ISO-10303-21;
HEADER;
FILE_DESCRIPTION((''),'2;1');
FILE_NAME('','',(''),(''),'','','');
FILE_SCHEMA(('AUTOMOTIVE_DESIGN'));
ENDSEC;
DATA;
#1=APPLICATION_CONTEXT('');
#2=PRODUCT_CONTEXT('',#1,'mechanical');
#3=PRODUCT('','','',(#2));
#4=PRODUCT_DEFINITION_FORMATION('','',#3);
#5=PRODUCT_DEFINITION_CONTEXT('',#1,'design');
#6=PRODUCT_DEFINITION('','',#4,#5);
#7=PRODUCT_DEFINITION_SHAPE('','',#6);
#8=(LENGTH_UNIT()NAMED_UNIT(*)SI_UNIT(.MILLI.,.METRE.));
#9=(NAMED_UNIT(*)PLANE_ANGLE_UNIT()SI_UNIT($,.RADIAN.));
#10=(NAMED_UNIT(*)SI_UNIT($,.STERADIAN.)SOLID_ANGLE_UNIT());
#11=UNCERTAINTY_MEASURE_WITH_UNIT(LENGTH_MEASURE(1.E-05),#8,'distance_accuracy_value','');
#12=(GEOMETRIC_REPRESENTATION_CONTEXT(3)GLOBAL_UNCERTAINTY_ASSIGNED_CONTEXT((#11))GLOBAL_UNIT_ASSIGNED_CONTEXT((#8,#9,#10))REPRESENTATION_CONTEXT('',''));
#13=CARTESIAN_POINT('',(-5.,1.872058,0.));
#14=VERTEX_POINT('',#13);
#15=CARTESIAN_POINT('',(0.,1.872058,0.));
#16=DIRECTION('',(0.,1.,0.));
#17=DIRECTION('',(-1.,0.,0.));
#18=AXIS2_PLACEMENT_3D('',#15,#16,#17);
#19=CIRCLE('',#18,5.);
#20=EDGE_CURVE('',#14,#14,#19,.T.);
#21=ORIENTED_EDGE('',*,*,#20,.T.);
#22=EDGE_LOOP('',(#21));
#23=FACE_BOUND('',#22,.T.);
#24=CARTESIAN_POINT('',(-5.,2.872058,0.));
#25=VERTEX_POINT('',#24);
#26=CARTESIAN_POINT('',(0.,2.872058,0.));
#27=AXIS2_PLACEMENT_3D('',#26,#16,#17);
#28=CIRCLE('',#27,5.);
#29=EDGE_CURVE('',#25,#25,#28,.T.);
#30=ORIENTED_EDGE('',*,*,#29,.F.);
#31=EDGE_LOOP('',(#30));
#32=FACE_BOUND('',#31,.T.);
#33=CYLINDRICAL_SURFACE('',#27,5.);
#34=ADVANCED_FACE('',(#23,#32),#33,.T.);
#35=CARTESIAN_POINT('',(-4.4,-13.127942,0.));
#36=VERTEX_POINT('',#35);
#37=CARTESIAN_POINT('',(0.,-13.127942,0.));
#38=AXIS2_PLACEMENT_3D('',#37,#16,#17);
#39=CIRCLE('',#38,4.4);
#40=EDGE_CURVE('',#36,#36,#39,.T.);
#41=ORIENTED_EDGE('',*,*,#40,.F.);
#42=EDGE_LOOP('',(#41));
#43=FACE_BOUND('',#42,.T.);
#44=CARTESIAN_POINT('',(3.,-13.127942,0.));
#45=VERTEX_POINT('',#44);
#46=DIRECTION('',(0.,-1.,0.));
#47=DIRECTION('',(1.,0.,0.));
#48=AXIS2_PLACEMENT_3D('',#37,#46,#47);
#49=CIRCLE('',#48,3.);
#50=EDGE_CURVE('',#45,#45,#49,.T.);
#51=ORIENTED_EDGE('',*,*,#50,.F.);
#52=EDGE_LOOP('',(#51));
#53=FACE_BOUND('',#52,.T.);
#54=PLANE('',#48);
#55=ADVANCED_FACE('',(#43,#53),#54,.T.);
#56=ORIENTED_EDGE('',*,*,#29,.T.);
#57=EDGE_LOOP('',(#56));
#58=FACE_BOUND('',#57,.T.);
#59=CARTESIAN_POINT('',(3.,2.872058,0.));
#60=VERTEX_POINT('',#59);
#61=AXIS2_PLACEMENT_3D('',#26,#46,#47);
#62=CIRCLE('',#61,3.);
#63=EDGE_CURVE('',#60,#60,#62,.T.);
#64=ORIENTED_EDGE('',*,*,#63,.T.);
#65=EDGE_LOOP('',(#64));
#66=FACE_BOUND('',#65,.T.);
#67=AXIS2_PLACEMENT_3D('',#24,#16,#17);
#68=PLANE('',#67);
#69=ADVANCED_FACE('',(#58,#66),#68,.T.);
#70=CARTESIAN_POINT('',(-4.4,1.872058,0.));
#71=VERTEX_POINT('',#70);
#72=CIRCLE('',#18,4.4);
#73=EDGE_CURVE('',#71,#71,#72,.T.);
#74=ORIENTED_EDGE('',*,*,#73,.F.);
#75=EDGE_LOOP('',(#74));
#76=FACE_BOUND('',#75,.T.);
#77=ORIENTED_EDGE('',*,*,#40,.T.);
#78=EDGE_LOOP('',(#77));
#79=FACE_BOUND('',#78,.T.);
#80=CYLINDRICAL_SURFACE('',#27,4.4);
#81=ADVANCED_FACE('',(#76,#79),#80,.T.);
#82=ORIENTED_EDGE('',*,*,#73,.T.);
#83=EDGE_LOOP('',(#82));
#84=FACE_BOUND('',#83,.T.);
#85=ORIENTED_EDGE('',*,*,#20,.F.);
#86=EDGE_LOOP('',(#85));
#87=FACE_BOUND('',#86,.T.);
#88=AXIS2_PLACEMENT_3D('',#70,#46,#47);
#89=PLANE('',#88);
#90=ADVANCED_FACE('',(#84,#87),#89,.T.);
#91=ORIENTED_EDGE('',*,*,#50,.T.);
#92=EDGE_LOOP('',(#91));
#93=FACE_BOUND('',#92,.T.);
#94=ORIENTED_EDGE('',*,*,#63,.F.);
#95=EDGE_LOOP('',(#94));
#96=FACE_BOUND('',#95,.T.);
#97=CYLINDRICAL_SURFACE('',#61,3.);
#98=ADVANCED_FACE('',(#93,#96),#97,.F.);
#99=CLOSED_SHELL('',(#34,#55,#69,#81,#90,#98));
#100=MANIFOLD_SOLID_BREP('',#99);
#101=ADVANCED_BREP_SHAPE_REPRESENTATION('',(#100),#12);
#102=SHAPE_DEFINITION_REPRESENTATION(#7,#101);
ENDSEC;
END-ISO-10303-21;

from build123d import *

# Parameters (mm, degrees)
SKETCH4_R           = 3
BOSS_EXTRUDE1_DEPTH = 16
SKETCH5_R           = 3
CUT_EXTRUDE1_DEPTH  = 16


with BuildPart() as part:
    # Sketch2 → Revolve3 (revolve)
    with BuildSketch(Plane.XY):
        Polygon((-5, 2.872057786), (0, 2.872057786), (0, -13.127942214), (-4.4, -13.127942214), (-4.4, 1.872057786), (-5, 1.872057786), align=None)
    revolve(axis=Axis((0, 2.872057786, 0), (0, -1, 0)))

    # Sketch4 → Boss-Extrude1 (add)
    with BuildSketch(Plane.XZ.offset(13.127942214)):
        Circle(SKETCH4_R)
    extrude(amount=-BOSS_EXTRUDE1_DEPTH)

    # Sketch5 → Cut-Extrude1 (cut)
    with BuildSketch(Plane.XZ.offset(13.127942214)):
        Circle(SKETCH5_R)
    extrude(amount=-CUT_EXTRUDE1_DEPTH, mode=Mode.SUBTRACT)


solid = part.part
